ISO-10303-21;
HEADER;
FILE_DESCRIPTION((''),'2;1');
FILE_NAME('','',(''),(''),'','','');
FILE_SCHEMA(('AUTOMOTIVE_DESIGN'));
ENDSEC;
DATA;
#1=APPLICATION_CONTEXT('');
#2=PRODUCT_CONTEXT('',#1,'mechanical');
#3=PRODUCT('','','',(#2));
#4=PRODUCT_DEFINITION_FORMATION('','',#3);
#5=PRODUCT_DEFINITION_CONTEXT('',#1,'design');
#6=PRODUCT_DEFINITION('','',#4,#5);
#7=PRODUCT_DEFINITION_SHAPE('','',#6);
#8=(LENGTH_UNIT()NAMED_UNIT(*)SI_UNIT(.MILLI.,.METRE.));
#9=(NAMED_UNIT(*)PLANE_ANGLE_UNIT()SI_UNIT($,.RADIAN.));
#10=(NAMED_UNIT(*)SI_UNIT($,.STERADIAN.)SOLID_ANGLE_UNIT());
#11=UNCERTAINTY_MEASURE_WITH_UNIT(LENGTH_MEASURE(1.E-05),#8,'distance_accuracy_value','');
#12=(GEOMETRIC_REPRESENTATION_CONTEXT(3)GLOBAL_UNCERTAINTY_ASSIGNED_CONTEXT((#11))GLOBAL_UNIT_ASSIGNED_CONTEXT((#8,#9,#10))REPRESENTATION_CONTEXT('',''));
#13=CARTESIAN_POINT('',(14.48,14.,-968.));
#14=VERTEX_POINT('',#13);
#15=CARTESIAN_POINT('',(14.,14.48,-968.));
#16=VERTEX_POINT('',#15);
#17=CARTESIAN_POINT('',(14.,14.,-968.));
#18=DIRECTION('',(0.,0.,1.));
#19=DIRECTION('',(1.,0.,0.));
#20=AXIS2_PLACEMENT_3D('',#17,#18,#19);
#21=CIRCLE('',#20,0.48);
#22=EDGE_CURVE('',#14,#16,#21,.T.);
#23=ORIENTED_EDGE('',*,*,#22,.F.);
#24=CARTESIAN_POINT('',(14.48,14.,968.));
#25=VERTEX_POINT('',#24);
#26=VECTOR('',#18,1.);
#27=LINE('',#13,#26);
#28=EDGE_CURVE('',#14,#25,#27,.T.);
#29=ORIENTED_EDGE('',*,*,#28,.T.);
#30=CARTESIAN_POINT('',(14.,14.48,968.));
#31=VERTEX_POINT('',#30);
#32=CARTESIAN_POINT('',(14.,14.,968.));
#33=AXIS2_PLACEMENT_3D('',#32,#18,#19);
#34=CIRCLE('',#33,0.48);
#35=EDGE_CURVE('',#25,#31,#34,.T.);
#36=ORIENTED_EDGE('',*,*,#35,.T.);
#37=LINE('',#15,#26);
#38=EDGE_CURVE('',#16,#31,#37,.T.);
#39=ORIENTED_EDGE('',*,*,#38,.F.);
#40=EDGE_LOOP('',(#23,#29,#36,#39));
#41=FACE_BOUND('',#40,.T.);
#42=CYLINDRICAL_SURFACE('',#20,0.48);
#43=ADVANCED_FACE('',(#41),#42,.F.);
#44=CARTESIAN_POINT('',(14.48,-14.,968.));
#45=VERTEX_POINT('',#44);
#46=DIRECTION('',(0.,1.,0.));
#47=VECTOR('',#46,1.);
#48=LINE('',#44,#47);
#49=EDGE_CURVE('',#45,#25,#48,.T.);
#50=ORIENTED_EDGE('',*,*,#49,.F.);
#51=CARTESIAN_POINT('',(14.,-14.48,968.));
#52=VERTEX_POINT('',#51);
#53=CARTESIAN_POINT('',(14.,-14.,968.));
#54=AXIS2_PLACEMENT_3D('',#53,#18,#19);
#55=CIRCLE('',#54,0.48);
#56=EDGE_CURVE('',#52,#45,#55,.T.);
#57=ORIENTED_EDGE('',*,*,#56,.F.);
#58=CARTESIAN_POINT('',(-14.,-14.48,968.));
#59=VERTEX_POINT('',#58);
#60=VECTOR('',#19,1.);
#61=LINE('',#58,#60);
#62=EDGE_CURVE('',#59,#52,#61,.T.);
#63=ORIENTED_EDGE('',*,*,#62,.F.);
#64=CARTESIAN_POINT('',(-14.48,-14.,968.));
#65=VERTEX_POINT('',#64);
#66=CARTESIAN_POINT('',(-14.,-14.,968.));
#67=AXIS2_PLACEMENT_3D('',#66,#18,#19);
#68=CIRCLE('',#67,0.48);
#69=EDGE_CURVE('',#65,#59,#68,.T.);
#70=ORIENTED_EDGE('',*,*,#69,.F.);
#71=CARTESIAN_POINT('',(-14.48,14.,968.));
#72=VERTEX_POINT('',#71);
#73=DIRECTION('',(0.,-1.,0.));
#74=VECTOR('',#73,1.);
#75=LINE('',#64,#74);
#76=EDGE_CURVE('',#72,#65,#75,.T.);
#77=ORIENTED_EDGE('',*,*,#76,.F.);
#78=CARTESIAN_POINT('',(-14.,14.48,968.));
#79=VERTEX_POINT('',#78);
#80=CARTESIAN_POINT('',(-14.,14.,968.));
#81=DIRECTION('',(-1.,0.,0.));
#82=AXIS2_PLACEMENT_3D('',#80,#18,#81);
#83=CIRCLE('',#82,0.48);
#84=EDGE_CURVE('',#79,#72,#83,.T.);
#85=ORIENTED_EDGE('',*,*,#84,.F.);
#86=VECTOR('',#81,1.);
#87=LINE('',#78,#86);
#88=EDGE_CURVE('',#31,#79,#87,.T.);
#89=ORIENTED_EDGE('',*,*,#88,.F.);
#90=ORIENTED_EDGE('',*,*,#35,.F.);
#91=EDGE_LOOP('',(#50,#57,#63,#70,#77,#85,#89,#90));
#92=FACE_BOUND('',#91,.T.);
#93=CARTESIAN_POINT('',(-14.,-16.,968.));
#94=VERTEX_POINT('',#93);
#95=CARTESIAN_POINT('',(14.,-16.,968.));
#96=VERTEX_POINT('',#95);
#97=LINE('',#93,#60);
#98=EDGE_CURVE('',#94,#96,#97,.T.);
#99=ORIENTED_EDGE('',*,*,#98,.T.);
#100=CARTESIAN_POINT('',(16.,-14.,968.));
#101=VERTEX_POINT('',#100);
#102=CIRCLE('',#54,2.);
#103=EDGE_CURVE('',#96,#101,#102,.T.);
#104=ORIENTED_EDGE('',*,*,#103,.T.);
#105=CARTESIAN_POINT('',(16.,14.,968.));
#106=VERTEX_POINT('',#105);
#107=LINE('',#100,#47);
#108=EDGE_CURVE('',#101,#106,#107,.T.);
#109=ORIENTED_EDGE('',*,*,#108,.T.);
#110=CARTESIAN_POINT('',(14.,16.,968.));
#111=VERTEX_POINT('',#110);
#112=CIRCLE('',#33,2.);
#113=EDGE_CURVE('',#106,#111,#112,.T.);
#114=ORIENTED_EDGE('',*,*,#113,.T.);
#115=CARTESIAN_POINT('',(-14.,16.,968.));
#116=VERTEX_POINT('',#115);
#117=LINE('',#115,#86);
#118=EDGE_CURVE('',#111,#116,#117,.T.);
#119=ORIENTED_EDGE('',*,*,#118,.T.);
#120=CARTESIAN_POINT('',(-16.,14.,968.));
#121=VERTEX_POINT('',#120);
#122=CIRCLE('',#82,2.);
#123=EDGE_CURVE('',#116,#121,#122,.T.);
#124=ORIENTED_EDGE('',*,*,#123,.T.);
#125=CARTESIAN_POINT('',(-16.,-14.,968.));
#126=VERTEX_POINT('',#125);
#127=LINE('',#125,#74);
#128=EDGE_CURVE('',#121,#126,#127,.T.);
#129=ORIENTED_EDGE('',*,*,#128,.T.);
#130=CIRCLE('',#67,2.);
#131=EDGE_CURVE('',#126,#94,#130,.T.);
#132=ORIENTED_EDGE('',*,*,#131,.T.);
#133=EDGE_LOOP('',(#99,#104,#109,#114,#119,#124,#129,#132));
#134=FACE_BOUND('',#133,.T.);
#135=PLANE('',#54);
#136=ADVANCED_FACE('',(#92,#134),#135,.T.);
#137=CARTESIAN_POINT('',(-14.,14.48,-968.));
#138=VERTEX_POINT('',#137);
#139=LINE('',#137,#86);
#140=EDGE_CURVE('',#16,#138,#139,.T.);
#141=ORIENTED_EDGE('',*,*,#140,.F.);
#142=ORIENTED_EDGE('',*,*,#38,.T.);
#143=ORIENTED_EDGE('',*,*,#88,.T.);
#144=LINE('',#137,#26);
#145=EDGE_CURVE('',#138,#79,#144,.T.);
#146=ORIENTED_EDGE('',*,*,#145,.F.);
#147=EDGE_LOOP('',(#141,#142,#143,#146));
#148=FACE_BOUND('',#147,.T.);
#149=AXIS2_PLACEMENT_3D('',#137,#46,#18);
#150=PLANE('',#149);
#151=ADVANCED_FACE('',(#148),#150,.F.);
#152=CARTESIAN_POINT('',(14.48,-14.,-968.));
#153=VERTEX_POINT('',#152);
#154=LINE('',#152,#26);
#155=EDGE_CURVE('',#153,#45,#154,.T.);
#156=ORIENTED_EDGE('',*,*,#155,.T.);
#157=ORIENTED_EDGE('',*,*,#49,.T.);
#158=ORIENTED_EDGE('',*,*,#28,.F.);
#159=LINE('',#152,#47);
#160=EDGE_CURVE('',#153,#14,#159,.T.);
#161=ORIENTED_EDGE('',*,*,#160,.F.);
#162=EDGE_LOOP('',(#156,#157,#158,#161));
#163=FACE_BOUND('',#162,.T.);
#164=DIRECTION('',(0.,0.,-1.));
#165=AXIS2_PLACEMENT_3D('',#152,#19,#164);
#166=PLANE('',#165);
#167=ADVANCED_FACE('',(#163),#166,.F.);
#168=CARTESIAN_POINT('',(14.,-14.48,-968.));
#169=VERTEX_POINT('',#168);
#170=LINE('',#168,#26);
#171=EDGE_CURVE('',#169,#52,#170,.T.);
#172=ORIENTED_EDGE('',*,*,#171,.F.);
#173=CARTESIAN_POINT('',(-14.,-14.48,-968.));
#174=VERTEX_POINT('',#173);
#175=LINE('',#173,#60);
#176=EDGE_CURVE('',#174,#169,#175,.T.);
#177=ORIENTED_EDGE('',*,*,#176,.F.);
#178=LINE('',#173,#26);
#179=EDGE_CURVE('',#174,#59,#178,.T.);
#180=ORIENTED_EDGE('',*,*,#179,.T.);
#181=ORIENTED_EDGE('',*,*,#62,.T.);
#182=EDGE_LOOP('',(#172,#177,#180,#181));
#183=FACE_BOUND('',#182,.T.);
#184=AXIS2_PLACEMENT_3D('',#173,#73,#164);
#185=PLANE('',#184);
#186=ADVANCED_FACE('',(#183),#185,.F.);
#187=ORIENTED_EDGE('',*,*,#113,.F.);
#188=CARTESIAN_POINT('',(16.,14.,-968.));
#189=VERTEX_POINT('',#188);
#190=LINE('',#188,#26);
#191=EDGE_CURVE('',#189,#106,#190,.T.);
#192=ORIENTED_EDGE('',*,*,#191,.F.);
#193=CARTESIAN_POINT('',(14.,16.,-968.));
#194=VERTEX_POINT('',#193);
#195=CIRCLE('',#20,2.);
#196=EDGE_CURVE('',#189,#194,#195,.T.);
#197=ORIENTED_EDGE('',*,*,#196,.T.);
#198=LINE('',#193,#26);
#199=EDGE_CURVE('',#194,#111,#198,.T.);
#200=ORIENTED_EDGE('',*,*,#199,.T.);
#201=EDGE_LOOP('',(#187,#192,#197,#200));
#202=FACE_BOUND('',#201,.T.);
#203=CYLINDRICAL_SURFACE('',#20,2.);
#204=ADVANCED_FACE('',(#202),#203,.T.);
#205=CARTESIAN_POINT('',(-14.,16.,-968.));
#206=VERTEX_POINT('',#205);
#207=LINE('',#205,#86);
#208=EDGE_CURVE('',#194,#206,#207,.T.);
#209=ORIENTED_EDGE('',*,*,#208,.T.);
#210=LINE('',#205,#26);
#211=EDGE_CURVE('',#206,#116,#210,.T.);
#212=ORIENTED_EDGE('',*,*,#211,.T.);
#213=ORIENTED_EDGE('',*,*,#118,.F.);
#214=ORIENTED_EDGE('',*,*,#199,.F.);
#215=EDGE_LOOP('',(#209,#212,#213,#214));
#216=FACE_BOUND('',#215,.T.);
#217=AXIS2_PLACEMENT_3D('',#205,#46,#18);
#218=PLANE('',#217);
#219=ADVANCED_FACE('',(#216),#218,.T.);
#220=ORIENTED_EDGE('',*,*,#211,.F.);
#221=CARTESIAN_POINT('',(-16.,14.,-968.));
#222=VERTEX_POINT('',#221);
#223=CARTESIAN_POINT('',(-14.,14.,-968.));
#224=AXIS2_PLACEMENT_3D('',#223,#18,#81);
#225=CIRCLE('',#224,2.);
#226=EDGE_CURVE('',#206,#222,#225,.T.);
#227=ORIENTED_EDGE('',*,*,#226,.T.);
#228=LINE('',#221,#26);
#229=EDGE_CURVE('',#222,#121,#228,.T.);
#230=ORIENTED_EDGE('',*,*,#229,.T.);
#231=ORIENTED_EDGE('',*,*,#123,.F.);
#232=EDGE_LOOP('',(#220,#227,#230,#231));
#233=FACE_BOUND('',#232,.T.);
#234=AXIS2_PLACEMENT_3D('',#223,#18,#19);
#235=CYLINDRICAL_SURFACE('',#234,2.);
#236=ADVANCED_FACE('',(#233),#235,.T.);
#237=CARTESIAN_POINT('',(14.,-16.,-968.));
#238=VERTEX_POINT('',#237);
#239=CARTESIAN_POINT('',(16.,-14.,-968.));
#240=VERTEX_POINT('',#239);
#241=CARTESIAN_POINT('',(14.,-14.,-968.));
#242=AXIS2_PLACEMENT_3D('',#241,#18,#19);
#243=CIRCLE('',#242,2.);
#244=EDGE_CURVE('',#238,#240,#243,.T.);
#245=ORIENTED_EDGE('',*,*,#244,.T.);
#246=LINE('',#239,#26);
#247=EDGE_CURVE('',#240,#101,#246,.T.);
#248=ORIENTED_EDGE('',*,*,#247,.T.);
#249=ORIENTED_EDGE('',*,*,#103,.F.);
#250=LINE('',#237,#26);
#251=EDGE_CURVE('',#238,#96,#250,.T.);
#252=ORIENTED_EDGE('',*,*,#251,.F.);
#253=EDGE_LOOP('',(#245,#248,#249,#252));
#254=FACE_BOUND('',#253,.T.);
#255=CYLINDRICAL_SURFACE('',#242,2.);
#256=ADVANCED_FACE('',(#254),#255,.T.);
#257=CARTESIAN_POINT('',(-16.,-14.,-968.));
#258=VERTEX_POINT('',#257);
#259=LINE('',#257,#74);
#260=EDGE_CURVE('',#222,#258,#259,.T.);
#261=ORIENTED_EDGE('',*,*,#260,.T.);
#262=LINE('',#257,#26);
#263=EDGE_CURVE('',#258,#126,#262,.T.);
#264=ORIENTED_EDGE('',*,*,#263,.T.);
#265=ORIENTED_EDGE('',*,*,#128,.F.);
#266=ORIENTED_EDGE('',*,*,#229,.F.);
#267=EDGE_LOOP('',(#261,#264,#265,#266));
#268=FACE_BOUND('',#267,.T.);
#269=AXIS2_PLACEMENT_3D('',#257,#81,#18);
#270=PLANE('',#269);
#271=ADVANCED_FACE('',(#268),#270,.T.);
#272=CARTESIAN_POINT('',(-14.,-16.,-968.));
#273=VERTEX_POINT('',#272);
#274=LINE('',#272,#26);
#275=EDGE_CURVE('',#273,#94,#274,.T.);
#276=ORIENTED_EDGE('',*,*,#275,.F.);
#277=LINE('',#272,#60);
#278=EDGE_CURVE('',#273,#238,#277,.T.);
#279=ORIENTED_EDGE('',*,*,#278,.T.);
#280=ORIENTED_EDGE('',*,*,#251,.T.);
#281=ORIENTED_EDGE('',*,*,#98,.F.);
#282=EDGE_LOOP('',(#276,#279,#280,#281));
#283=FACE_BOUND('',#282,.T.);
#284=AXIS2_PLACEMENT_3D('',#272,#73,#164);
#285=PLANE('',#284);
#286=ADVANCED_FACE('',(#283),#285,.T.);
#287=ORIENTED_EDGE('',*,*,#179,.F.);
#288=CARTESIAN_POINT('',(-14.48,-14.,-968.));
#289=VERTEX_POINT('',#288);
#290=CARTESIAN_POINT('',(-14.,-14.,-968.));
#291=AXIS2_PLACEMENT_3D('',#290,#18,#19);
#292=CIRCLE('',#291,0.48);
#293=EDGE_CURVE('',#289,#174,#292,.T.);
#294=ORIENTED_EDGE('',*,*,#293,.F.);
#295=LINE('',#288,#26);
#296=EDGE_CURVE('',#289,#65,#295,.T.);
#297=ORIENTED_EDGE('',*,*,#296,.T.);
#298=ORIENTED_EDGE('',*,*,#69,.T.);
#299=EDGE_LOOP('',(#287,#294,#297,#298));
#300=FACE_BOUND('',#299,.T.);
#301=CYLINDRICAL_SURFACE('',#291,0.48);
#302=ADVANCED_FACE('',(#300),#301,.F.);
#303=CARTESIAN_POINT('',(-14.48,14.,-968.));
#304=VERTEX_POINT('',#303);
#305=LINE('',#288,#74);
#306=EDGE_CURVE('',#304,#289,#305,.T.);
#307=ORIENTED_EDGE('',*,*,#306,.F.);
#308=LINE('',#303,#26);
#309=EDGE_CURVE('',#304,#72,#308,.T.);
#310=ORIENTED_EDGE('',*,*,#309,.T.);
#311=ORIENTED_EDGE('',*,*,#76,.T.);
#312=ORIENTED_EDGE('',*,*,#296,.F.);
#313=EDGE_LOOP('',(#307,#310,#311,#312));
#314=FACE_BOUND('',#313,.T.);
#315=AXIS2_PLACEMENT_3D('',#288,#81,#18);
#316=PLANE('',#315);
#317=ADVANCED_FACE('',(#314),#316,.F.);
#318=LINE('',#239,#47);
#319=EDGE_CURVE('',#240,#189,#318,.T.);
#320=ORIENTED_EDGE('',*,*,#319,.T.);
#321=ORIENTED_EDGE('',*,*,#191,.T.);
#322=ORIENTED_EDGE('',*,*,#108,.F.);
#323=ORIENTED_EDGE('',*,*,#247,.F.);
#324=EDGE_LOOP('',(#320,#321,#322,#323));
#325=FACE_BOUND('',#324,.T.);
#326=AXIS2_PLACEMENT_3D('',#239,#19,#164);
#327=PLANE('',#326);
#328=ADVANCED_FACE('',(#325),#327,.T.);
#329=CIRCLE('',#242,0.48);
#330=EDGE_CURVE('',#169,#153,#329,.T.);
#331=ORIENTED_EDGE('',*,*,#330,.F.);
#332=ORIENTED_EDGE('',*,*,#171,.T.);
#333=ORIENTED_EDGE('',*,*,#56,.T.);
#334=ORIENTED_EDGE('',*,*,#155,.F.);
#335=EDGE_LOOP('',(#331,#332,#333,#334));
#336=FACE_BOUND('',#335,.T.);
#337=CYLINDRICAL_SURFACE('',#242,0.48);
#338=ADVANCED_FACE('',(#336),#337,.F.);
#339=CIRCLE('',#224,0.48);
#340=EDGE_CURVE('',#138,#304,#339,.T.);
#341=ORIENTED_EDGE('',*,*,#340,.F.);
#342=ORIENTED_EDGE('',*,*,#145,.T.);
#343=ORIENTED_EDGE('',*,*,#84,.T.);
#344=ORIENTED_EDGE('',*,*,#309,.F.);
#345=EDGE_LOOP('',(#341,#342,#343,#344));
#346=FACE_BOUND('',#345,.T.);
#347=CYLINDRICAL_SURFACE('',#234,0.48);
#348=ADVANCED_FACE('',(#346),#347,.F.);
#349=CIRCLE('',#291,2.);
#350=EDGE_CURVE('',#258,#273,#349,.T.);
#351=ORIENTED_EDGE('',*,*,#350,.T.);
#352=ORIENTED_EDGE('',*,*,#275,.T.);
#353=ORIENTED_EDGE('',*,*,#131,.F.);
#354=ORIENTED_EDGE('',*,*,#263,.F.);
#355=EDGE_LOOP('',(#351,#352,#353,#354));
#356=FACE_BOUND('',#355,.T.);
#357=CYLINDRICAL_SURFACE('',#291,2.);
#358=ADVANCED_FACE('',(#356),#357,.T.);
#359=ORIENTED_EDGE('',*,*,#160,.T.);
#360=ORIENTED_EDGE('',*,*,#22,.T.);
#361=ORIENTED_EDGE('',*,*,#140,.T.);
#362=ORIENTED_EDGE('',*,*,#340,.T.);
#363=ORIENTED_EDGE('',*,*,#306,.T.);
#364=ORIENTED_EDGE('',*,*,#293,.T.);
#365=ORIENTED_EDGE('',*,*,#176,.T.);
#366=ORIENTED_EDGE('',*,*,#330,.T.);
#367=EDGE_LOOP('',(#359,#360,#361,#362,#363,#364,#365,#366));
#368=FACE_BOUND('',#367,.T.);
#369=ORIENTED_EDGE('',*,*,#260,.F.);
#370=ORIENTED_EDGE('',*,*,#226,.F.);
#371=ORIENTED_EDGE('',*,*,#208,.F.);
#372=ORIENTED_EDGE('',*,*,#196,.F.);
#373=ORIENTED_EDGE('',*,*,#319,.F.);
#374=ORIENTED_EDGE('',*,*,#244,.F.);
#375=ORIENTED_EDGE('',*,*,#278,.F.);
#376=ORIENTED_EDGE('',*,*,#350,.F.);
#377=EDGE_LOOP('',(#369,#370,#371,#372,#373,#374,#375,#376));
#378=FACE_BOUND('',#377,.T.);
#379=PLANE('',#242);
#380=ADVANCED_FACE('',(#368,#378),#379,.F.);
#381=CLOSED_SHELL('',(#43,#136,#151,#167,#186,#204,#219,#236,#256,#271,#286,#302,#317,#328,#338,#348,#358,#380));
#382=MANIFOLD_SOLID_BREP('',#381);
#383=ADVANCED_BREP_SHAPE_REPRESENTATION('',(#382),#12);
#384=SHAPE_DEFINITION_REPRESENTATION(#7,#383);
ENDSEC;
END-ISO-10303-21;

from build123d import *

# Parameters (mm, degrees)
BOSS_EXTRUDE1_DEPTH      = 968
BOSS_EXTRUDE1_DEPTH_BACK = 968


with BuildPart() as part:
    # Sketch1 → Boss-Extrude1 (new, two sides: drawn at the far end of the back side and taken through both)
    with BuildSketch(Plane.XY.offset(-BOSS_EXTRUDE1_DEPTH_BACK)):
        with BuildLine():
            Line((-14, -16), (14, -16))
            ThreePointArc((14, -16), (15.414213562, -15.414213562), (16, -14))
            Line((16, -14), (16, 14))
            ThreePointArc((16, 14), (15.414213562, 15.414213562), (14, 16))
            Line((14, 16), (-14, 16))
            ThreePointArc((-14, 16), (-15.414213562, 15.414213562), (-16, 14))
            Line((-16, 14), (-16, -14))
            ThreePointArc((-16, -14), (-15.414213562, -15.414213562), (-14, -16))
        make_face()
        with BuildLine():
            Line((-14, 14.48), (14, 14.48))
            ThreePointArc((14, 14.48), (14.339411255, 14.339411255), (14.48, 14))
            Line((14.48, 14), (14.48, -14))
            ThreePointArc((14.48, -14), (14.339411255, -14.339411255), (14, -14.48))
            Line((14, -14.48), (-14, -14.48))
            ThreePointArc((-14, -14.48), (-14.339411255, -14.339411255), (-14.48, -14))
            Line((-14.48, -14), (-14.48, 14))
            ThreePointArc((-14.48, 14), (-14.339411255, 14.339411255), (-14, 14.48))
        make_face(mode=Mode.SUBTRACT)
    extrude(amount=BOSS_EXTRUDE1_DEPTH + BOSS_EXTRUDE1_DEPTH_BACK)


solid = part.part
